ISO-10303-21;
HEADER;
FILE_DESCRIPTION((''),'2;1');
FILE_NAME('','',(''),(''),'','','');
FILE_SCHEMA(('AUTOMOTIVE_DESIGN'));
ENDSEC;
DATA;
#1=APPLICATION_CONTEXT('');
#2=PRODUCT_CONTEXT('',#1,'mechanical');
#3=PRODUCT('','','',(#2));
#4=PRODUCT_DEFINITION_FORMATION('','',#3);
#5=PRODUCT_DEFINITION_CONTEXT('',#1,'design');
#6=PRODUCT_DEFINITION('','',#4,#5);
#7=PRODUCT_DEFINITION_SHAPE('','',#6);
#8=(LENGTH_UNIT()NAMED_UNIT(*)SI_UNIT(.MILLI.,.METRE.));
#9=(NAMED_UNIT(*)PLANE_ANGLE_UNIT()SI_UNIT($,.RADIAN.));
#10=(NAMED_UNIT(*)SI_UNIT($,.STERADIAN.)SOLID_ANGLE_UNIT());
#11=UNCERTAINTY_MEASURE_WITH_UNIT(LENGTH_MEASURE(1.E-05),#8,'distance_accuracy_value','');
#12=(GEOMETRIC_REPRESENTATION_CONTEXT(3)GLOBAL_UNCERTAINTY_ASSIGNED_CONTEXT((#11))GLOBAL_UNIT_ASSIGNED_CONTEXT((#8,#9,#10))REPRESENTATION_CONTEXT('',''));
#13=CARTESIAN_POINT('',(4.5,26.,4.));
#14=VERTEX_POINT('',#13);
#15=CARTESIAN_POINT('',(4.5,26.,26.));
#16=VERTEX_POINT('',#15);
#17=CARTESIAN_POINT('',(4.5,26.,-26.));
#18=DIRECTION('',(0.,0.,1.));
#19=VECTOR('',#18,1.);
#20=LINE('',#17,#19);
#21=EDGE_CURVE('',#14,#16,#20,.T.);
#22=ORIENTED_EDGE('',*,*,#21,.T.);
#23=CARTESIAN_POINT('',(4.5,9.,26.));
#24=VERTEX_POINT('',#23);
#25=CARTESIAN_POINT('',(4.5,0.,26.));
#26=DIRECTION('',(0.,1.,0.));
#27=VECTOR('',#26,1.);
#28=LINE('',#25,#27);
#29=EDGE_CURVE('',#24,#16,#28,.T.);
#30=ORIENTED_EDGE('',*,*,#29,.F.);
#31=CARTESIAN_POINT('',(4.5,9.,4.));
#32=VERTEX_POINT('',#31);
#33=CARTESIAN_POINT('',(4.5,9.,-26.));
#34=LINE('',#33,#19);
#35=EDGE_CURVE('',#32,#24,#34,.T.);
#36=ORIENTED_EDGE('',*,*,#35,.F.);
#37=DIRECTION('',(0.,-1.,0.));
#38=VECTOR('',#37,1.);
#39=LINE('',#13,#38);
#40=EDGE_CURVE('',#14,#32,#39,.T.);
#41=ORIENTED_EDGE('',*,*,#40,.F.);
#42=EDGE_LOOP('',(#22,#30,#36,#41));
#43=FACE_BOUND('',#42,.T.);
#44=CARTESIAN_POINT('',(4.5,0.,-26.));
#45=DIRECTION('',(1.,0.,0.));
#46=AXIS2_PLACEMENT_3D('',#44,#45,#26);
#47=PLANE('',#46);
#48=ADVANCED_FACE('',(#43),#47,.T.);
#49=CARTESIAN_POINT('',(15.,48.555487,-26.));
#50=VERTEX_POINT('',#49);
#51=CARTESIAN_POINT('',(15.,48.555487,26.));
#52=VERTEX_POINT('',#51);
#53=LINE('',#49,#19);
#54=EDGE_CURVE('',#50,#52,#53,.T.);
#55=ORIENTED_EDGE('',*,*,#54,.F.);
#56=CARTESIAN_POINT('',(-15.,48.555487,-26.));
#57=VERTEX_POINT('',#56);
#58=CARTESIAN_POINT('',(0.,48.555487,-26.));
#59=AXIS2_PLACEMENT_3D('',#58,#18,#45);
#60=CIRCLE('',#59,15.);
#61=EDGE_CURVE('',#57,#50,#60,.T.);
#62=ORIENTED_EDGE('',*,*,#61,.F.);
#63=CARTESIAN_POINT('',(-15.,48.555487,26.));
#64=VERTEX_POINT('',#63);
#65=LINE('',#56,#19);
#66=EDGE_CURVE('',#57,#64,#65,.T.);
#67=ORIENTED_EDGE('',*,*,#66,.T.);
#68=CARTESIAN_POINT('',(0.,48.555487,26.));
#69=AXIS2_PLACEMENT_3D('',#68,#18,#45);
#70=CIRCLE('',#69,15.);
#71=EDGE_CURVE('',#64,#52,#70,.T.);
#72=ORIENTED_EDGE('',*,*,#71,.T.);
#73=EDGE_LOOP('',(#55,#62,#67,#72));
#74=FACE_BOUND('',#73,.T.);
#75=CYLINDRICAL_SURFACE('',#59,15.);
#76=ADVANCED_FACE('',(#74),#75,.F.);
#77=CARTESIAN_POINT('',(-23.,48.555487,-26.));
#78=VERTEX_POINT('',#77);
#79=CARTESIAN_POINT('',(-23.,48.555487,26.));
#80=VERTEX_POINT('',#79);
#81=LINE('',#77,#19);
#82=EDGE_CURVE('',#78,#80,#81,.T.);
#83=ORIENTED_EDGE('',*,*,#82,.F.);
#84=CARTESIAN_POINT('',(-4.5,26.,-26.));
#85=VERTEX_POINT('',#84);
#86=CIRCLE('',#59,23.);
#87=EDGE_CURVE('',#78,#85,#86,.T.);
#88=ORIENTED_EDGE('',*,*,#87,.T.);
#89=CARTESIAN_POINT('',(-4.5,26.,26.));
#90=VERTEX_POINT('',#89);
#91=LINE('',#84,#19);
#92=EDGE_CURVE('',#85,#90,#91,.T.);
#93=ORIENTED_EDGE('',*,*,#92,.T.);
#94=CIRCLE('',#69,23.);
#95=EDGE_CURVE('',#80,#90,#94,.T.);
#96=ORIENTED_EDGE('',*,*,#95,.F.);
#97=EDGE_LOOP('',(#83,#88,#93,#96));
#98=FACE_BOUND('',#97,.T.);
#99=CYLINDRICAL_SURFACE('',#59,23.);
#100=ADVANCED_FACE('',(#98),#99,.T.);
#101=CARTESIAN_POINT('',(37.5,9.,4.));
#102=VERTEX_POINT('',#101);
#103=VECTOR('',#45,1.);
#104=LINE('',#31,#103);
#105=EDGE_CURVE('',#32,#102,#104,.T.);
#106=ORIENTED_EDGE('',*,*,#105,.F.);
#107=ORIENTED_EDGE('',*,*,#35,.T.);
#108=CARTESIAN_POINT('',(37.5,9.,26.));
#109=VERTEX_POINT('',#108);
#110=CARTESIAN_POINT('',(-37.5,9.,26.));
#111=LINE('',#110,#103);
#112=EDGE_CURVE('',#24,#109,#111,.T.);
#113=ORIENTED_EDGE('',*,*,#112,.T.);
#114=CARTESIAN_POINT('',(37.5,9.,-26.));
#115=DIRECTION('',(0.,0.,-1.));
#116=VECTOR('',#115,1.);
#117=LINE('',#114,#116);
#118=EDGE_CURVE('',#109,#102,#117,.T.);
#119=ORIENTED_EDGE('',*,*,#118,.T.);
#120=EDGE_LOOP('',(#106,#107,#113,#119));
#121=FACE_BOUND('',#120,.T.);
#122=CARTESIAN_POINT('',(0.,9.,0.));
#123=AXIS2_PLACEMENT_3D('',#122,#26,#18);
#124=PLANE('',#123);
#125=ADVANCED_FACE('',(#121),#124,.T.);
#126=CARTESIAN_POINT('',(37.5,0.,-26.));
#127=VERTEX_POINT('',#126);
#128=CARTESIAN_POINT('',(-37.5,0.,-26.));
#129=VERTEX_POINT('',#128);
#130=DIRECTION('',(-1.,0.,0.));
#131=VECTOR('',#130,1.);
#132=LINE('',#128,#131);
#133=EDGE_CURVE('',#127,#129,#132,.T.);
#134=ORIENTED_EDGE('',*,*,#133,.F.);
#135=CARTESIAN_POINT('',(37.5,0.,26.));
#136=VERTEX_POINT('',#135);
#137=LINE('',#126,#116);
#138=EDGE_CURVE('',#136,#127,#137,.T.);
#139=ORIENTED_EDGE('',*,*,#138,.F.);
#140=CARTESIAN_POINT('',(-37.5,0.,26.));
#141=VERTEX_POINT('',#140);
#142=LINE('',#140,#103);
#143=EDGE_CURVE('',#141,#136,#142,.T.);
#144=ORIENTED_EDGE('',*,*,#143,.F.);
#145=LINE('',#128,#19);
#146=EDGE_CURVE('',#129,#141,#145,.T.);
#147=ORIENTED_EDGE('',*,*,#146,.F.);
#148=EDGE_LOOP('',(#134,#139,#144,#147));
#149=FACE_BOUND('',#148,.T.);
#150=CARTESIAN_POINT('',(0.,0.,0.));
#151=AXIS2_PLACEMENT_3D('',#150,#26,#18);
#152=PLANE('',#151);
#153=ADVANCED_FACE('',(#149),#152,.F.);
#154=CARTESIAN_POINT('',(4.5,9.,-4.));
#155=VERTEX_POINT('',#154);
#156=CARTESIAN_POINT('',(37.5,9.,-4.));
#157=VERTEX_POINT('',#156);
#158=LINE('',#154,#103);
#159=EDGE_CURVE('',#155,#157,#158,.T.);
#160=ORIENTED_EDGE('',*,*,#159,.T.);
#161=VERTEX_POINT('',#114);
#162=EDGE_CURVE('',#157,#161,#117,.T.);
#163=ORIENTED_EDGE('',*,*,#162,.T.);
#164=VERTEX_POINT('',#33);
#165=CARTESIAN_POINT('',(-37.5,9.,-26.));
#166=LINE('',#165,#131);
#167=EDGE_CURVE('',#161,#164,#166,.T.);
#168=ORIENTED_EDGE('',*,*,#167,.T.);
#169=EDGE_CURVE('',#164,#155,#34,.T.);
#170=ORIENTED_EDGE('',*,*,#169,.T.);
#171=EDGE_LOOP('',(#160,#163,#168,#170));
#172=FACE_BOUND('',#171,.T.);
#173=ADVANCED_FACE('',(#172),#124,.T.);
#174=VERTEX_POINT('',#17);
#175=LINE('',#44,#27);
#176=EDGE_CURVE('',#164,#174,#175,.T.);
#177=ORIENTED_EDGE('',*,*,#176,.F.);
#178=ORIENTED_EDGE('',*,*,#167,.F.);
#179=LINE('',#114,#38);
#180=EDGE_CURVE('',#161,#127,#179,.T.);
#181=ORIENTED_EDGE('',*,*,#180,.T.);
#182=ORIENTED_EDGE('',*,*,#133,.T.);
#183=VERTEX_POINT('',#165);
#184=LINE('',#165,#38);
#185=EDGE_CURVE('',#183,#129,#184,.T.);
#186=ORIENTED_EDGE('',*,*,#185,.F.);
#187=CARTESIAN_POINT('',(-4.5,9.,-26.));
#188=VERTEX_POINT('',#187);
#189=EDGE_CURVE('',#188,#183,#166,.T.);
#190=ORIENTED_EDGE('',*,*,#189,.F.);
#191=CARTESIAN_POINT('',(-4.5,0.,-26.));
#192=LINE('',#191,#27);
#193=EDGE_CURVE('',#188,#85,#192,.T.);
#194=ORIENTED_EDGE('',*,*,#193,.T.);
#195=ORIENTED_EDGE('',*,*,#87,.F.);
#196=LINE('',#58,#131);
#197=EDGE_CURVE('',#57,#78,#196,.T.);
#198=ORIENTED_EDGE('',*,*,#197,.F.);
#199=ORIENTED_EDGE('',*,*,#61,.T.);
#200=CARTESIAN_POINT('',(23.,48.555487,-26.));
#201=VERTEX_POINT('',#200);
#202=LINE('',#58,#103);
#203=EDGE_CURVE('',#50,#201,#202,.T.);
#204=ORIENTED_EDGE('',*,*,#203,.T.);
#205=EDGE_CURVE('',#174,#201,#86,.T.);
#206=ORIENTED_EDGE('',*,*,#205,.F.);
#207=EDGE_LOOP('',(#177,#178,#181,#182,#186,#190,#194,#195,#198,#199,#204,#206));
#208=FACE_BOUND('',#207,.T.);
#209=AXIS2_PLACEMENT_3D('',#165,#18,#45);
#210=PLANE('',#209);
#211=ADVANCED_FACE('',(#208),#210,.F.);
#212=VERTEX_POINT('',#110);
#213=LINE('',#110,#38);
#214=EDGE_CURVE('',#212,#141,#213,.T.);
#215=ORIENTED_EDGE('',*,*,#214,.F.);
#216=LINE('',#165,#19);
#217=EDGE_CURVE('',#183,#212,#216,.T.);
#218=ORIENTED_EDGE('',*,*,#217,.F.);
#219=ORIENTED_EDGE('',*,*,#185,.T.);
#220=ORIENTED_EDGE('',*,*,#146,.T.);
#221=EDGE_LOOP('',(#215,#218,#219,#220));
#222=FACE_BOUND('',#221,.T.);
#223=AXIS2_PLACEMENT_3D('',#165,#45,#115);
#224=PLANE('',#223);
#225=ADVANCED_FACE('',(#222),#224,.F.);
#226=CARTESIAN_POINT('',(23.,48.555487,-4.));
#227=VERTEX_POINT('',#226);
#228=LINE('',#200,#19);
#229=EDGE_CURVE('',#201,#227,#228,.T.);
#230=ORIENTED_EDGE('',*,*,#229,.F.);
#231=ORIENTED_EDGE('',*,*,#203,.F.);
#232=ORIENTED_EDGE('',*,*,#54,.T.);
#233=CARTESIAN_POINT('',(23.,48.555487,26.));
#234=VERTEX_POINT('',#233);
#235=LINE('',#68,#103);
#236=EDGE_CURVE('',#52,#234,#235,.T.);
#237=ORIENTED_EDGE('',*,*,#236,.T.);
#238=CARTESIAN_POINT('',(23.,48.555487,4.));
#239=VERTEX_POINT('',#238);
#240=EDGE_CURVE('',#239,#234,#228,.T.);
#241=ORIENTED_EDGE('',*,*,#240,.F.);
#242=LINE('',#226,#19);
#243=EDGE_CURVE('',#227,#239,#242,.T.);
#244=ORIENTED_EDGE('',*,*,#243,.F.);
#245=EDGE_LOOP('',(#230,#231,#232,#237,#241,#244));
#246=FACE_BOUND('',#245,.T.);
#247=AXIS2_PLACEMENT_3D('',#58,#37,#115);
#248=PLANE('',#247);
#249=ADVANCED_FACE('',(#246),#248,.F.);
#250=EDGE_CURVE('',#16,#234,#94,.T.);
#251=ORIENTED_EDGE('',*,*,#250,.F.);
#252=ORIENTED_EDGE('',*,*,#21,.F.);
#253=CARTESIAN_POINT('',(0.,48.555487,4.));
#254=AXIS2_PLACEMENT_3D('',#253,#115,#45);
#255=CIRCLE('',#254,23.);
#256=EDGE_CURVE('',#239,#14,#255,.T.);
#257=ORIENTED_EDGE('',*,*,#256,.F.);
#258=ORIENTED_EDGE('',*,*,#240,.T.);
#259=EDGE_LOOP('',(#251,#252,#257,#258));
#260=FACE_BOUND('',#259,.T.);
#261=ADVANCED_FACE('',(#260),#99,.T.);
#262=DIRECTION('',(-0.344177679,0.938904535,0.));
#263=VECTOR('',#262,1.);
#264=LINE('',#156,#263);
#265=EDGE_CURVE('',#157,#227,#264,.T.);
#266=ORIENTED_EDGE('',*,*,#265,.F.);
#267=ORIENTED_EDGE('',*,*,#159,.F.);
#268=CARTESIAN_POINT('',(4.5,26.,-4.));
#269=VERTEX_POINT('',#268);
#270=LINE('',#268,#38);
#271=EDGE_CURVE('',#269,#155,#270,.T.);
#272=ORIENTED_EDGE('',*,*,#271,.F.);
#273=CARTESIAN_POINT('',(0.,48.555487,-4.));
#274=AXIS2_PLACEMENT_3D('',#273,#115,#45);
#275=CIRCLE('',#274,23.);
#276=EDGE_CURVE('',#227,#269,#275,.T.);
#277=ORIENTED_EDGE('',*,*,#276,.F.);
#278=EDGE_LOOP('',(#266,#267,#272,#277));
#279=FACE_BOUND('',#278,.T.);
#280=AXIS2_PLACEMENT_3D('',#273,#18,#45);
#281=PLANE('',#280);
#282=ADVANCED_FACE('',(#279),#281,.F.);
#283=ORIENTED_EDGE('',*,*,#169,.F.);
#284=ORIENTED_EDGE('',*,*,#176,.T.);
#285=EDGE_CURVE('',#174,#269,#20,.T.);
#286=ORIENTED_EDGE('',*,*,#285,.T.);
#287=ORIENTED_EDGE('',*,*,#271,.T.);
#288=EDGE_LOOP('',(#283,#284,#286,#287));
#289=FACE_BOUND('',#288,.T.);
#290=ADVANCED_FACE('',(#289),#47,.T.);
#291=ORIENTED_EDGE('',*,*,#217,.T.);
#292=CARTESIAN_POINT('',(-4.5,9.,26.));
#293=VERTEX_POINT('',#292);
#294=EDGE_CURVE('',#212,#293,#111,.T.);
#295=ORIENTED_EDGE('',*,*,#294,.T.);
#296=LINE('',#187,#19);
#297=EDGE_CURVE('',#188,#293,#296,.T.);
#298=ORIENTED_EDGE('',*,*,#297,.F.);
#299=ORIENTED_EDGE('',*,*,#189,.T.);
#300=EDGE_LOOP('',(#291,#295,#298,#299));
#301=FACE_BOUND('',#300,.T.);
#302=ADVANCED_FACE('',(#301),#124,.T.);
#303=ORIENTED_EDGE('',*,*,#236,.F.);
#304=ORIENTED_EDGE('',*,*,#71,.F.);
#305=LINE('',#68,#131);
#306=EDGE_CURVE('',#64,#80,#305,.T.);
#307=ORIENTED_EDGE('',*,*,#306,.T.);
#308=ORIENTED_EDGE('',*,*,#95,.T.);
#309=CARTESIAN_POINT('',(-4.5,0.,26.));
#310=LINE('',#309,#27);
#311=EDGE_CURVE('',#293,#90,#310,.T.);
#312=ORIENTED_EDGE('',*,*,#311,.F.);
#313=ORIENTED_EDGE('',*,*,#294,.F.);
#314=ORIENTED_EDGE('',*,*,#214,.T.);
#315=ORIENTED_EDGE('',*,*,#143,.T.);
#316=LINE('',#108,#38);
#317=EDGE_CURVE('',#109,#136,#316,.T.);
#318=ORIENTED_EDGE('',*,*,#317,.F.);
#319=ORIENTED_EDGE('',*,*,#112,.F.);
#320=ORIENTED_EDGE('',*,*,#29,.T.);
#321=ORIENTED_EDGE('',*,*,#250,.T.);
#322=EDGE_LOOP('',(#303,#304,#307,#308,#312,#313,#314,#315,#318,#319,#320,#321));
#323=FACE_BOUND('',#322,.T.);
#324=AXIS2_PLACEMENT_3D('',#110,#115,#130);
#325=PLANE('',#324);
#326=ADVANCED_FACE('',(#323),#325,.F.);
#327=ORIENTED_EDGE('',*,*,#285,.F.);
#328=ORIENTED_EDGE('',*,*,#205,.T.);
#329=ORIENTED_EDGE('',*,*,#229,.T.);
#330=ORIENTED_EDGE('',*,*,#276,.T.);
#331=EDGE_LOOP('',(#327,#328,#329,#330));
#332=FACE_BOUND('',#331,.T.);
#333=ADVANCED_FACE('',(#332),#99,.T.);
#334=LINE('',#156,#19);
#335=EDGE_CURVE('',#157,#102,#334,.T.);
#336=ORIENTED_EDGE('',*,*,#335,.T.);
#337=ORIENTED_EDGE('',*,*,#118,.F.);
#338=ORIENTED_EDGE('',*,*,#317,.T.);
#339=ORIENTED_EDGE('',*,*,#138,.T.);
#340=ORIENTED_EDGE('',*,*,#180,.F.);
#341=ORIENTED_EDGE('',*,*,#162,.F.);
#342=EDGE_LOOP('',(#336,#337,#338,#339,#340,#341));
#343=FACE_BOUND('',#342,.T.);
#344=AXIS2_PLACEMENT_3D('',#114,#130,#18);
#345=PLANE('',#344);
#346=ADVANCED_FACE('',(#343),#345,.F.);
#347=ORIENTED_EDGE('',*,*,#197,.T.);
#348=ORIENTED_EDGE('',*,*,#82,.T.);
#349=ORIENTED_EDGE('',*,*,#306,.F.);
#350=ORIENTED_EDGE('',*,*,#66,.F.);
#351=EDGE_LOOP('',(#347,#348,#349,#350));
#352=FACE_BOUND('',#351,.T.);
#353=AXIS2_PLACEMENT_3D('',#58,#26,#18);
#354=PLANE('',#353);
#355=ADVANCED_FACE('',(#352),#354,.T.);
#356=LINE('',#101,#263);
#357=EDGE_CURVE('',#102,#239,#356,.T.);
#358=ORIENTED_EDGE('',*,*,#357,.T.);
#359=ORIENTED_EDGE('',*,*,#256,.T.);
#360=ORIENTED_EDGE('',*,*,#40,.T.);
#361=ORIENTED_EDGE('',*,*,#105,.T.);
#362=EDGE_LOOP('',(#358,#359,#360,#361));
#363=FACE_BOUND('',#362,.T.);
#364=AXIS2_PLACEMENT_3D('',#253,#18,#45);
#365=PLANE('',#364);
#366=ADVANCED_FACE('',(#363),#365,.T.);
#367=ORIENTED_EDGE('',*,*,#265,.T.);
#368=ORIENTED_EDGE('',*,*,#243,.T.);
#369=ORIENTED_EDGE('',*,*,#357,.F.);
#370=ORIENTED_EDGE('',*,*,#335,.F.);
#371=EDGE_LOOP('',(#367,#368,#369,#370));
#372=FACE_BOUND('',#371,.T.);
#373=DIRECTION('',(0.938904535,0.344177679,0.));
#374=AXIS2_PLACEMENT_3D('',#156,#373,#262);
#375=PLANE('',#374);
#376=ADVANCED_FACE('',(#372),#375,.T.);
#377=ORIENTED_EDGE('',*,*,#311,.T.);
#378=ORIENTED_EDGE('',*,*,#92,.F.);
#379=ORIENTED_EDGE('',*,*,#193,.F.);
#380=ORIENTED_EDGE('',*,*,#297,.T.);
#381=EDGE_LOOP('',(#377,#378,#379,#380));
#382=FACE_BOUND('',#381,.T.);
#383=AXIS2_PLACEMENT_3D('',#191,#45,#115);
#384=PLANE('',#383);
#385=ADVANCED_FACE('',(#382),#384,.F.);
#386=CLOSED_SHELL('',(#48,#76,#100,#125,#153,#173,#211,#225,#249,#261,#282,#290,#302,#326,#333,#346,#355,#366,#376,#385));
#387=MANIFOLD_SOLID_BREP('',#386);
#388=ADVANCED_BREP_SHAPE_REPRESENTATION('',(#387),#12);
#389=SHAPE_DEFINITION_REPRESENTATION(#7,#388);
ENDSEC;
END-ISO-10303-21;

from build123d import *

# Parameters (mm, degrees)
SKETCH1_W                = 75
SKETCH1_H                = 52
BOSS_EXTRUDE1_DEPTH      = 9
BOSS_EXTRUDE2_DEPTH      = 52
BOSS_EXTRUDE3_DEPTH      = 4
BOSS_EXTRUDE3_DEPTH_BACK = 4


with BuildPart() as part:
    # Sketch1 → Boss-Extrude1 (new body)
    with BuildSketch(Plane(origin=(0, 0, 0), x_dir=(1, 0, 0), z_dir=(0, 1, 0))):
        Rectangle(SKETCH1_W, SKETCH1_H)
    extrude(amount=BOSS_EXTRUDE1_DEPTH)

    # Sketch2 → Boss-Extrude2 (add)
    with BuildSketch(Plane.XY.offset(26)):
        with BuildLine():
            Line((-4.5, 26), (-4.5, 9))
            Line((-4.5, 9), (4.5, 9))
            Line((4.5, 9), (4.5, 26))
            ThreePointArc((4.5, 26), (17.783419244, 33.969534991), (23, 48.555487137))
            Line((23, 48.555487137), (15, 48.555487137))
            ThreePointArc((15, 48.555487137), (0, 33.555487137), (-15, 48.555487137))
            Line((-15, 48.555487137), (-23, 48.555487137))
            ThreePointArc((-23, 48.555487137), (-17.783419244, 33.969534991), (-4.5, 26))
        make_face()
    extrude(amount=-BOSS_EXTRUDE2_DEPTH)

    # Sketch3 → Boss-Extrude3 (add, two sides: drawn at the far end of the back side and taken through both)
    with BuildSketch(Plane.XY.offset(-BOSS_EXTRUDE3_DEPTH_BACK)):
        with BuildLine():
            Line((4.5, 9), (37.5, 9))
            Line((37.5, 9), (23, 48.555487137))
            ThreePointArc((23, 48.555487137), (17.783419244, 33.969534991), (4.5, 26))
            Line((4.5, 26), (4.5, 9))
        make_face()
    extrude(amount=BOSS_EXTRUDE3_DEPTH + BOSS_EXTRUDE3_DEPTH_BACK)


solid = part.part
